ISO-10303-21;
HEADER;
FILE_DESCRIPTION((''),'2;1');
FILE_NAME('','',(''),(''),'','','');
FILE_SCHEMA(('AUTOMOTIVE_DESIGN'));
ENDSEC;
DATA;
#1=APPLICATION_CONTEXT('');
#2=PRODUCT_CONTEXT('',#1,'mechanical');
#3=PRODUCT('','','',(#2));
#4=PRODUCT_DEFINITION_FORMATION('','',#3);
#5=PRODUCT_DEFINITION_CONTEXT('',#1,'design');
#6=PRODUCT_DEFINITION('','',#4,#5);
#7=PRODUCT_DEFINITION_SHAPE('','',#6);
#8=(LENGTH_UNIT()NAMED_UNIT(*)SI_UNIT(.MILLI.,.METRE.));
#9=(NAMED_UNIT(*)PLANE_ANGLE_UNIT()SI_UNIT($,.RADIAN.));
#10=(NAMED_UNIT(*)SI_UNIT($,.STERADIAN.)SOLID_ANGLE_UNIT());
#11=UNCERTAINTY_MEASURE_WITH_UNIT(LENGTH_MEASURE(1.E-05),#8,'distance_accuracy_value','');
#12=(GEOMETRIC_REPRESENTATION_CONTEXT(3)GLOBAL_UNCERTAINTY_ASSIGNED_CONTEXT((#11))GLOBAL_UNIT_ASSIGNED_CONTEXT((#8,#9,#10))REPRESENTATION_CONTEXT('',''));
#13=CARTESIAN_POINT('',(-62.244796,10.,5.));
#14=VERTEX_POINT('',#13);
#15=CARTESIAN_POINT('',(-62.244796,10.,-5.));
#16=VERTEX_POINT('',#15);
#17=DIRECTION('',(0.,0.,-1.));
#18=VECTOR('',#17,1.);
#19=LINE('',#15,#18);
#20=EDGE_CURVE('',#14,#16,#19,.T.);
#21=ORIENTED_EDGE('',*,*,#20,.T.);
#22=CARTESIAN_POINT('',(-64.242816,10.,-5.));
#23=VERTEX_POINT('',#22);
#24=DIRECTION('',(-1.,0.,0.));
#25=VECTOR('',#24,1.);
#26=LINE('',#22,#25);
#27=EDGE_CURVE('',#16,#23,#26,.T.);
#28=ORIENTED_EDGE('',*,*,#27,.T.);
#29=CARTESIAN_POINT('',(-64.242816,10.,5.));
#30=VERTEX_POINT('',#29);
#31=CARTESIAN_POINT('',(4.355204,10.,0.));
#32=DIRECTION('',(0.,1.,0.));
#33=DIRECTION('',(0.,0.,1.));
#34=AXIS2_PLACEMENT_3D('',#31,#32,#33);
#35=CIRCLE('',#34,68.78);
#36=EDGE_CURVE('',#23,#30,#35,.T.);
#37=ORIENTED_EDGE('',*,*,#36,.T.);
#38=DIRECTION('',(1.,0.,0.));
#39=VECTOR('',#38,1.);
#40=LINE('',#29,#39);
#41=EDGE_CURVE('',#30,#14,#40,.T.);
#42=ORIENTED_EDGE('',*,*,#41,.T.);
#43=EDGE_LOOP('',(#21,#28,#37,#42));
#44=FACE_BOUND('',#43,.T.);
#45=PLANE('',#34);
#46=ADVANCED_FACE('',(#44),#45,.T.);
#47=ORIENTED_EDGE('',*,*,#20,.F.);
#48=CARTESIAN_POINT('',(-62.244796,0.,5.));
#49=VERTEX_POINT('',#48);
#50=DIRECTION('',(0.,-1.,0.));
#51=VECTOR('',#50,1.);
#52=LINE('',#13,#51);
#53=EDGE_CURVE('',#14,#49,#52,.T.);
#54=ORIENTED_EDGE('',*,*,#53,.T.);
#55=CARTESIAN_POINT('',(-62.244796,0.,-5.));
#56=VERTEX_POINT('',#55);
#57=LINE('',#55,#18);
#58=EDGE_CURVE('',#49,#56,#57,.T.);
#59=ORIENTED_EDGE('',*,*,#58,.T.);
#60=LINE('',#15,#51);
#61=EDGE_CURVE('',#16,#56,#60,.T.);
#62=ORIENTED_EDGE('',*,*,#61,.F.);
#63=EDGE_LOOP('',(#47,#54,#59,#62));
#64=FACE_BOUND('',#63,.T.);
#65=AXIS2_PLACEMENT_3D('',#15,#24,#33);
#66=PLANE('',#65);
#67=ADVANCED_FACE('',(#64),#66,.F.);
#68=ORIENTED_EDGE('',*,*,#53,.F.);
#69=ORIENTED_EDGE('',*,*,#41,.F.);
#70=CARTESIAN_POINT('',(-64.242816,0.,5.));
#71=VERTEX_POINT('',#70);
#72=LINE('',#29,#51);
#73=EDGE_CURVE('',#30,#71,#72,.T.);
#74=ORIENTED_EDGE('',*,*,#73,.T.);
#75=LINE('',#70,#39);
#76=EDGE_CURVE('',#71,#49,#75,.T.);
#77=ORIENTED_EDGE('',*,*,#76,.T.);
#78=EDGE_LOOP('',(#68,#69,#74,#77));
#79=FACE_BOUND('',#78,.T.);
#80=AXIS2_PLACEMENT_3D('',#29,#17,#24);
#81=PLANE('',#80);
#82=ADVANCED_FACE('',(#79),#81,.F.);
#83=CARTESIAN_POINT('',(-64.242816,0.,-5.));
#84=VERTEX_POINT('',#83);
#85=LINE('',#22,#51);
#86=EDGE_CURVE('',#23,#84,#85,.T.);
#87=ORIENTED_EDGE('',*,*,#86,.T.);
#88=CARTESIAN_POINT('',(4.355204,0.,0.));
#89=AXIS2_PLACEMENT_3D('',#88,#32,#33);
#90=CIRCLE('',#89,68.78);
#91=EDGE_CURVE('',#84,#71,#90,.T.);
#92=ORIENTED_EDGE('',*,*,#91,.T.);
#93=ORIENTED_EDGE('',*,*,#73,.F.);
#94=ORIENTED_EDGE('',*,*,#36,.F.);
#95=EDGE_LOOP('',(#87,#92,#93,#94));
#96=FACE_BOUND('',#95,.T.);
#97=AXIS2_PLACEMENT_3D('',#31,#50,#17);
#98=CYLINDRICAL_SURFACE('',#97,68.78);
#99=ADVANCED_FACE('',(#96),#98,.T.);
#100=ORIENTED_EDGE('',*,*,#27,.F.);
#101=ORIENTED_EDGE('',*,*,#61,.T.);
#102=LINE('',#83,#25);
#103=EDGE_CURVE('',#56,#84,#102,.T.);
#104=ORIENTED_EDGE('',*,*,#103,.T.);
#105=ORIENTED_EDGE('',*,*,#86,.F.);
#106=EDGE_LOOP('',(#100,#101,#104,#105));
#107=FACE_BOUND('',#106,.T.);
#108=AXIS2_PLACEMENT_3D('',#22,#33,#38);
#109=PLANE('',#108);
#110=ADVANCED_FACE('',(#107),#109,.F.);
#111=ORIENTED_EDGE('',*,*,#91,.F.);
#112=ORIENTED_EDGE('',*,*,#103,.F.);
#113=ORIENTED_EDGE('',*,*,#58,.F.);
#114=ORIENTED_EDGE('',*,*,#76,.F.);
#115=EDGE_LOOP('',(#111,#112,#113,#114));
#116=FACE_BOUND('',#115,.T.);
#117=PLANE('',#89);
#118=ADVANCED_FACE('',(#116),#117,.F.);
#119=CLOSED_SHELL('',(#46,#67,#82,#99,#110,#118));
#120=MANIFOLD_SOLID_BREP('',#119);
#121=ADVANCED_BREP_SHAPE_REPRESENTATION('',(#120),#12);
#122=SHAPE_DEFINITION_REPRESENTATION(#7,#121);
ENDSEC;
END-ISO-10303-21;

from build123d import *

# Parameters (mm, degrees)
EXTRUDE_1_DEPTH = 10


with BuildPart() as part:
    # 草图1 → 凸台-拉伸1 (new body)
    with BuildSketch(Plane(origin=(0, 0, 0), x_dir=(1, 0, 0), z_dir=(0, 1, 0))):
        with BuildLine():
            Line((-64.242816045, 5), (-62.244795665, 5))
            Line((-62.244795665, 5), (-62.244795665, -5))
            Line((-62.244795665, -5), (-64.242816045, -5))
            ThreePointArc((-64.242816045, -5), (-64.424795665, 0), (-64.242816045, 5))
        make_face()
    extrude(amount=EXTRUDE_1_DEPTH)


solid = part.part
